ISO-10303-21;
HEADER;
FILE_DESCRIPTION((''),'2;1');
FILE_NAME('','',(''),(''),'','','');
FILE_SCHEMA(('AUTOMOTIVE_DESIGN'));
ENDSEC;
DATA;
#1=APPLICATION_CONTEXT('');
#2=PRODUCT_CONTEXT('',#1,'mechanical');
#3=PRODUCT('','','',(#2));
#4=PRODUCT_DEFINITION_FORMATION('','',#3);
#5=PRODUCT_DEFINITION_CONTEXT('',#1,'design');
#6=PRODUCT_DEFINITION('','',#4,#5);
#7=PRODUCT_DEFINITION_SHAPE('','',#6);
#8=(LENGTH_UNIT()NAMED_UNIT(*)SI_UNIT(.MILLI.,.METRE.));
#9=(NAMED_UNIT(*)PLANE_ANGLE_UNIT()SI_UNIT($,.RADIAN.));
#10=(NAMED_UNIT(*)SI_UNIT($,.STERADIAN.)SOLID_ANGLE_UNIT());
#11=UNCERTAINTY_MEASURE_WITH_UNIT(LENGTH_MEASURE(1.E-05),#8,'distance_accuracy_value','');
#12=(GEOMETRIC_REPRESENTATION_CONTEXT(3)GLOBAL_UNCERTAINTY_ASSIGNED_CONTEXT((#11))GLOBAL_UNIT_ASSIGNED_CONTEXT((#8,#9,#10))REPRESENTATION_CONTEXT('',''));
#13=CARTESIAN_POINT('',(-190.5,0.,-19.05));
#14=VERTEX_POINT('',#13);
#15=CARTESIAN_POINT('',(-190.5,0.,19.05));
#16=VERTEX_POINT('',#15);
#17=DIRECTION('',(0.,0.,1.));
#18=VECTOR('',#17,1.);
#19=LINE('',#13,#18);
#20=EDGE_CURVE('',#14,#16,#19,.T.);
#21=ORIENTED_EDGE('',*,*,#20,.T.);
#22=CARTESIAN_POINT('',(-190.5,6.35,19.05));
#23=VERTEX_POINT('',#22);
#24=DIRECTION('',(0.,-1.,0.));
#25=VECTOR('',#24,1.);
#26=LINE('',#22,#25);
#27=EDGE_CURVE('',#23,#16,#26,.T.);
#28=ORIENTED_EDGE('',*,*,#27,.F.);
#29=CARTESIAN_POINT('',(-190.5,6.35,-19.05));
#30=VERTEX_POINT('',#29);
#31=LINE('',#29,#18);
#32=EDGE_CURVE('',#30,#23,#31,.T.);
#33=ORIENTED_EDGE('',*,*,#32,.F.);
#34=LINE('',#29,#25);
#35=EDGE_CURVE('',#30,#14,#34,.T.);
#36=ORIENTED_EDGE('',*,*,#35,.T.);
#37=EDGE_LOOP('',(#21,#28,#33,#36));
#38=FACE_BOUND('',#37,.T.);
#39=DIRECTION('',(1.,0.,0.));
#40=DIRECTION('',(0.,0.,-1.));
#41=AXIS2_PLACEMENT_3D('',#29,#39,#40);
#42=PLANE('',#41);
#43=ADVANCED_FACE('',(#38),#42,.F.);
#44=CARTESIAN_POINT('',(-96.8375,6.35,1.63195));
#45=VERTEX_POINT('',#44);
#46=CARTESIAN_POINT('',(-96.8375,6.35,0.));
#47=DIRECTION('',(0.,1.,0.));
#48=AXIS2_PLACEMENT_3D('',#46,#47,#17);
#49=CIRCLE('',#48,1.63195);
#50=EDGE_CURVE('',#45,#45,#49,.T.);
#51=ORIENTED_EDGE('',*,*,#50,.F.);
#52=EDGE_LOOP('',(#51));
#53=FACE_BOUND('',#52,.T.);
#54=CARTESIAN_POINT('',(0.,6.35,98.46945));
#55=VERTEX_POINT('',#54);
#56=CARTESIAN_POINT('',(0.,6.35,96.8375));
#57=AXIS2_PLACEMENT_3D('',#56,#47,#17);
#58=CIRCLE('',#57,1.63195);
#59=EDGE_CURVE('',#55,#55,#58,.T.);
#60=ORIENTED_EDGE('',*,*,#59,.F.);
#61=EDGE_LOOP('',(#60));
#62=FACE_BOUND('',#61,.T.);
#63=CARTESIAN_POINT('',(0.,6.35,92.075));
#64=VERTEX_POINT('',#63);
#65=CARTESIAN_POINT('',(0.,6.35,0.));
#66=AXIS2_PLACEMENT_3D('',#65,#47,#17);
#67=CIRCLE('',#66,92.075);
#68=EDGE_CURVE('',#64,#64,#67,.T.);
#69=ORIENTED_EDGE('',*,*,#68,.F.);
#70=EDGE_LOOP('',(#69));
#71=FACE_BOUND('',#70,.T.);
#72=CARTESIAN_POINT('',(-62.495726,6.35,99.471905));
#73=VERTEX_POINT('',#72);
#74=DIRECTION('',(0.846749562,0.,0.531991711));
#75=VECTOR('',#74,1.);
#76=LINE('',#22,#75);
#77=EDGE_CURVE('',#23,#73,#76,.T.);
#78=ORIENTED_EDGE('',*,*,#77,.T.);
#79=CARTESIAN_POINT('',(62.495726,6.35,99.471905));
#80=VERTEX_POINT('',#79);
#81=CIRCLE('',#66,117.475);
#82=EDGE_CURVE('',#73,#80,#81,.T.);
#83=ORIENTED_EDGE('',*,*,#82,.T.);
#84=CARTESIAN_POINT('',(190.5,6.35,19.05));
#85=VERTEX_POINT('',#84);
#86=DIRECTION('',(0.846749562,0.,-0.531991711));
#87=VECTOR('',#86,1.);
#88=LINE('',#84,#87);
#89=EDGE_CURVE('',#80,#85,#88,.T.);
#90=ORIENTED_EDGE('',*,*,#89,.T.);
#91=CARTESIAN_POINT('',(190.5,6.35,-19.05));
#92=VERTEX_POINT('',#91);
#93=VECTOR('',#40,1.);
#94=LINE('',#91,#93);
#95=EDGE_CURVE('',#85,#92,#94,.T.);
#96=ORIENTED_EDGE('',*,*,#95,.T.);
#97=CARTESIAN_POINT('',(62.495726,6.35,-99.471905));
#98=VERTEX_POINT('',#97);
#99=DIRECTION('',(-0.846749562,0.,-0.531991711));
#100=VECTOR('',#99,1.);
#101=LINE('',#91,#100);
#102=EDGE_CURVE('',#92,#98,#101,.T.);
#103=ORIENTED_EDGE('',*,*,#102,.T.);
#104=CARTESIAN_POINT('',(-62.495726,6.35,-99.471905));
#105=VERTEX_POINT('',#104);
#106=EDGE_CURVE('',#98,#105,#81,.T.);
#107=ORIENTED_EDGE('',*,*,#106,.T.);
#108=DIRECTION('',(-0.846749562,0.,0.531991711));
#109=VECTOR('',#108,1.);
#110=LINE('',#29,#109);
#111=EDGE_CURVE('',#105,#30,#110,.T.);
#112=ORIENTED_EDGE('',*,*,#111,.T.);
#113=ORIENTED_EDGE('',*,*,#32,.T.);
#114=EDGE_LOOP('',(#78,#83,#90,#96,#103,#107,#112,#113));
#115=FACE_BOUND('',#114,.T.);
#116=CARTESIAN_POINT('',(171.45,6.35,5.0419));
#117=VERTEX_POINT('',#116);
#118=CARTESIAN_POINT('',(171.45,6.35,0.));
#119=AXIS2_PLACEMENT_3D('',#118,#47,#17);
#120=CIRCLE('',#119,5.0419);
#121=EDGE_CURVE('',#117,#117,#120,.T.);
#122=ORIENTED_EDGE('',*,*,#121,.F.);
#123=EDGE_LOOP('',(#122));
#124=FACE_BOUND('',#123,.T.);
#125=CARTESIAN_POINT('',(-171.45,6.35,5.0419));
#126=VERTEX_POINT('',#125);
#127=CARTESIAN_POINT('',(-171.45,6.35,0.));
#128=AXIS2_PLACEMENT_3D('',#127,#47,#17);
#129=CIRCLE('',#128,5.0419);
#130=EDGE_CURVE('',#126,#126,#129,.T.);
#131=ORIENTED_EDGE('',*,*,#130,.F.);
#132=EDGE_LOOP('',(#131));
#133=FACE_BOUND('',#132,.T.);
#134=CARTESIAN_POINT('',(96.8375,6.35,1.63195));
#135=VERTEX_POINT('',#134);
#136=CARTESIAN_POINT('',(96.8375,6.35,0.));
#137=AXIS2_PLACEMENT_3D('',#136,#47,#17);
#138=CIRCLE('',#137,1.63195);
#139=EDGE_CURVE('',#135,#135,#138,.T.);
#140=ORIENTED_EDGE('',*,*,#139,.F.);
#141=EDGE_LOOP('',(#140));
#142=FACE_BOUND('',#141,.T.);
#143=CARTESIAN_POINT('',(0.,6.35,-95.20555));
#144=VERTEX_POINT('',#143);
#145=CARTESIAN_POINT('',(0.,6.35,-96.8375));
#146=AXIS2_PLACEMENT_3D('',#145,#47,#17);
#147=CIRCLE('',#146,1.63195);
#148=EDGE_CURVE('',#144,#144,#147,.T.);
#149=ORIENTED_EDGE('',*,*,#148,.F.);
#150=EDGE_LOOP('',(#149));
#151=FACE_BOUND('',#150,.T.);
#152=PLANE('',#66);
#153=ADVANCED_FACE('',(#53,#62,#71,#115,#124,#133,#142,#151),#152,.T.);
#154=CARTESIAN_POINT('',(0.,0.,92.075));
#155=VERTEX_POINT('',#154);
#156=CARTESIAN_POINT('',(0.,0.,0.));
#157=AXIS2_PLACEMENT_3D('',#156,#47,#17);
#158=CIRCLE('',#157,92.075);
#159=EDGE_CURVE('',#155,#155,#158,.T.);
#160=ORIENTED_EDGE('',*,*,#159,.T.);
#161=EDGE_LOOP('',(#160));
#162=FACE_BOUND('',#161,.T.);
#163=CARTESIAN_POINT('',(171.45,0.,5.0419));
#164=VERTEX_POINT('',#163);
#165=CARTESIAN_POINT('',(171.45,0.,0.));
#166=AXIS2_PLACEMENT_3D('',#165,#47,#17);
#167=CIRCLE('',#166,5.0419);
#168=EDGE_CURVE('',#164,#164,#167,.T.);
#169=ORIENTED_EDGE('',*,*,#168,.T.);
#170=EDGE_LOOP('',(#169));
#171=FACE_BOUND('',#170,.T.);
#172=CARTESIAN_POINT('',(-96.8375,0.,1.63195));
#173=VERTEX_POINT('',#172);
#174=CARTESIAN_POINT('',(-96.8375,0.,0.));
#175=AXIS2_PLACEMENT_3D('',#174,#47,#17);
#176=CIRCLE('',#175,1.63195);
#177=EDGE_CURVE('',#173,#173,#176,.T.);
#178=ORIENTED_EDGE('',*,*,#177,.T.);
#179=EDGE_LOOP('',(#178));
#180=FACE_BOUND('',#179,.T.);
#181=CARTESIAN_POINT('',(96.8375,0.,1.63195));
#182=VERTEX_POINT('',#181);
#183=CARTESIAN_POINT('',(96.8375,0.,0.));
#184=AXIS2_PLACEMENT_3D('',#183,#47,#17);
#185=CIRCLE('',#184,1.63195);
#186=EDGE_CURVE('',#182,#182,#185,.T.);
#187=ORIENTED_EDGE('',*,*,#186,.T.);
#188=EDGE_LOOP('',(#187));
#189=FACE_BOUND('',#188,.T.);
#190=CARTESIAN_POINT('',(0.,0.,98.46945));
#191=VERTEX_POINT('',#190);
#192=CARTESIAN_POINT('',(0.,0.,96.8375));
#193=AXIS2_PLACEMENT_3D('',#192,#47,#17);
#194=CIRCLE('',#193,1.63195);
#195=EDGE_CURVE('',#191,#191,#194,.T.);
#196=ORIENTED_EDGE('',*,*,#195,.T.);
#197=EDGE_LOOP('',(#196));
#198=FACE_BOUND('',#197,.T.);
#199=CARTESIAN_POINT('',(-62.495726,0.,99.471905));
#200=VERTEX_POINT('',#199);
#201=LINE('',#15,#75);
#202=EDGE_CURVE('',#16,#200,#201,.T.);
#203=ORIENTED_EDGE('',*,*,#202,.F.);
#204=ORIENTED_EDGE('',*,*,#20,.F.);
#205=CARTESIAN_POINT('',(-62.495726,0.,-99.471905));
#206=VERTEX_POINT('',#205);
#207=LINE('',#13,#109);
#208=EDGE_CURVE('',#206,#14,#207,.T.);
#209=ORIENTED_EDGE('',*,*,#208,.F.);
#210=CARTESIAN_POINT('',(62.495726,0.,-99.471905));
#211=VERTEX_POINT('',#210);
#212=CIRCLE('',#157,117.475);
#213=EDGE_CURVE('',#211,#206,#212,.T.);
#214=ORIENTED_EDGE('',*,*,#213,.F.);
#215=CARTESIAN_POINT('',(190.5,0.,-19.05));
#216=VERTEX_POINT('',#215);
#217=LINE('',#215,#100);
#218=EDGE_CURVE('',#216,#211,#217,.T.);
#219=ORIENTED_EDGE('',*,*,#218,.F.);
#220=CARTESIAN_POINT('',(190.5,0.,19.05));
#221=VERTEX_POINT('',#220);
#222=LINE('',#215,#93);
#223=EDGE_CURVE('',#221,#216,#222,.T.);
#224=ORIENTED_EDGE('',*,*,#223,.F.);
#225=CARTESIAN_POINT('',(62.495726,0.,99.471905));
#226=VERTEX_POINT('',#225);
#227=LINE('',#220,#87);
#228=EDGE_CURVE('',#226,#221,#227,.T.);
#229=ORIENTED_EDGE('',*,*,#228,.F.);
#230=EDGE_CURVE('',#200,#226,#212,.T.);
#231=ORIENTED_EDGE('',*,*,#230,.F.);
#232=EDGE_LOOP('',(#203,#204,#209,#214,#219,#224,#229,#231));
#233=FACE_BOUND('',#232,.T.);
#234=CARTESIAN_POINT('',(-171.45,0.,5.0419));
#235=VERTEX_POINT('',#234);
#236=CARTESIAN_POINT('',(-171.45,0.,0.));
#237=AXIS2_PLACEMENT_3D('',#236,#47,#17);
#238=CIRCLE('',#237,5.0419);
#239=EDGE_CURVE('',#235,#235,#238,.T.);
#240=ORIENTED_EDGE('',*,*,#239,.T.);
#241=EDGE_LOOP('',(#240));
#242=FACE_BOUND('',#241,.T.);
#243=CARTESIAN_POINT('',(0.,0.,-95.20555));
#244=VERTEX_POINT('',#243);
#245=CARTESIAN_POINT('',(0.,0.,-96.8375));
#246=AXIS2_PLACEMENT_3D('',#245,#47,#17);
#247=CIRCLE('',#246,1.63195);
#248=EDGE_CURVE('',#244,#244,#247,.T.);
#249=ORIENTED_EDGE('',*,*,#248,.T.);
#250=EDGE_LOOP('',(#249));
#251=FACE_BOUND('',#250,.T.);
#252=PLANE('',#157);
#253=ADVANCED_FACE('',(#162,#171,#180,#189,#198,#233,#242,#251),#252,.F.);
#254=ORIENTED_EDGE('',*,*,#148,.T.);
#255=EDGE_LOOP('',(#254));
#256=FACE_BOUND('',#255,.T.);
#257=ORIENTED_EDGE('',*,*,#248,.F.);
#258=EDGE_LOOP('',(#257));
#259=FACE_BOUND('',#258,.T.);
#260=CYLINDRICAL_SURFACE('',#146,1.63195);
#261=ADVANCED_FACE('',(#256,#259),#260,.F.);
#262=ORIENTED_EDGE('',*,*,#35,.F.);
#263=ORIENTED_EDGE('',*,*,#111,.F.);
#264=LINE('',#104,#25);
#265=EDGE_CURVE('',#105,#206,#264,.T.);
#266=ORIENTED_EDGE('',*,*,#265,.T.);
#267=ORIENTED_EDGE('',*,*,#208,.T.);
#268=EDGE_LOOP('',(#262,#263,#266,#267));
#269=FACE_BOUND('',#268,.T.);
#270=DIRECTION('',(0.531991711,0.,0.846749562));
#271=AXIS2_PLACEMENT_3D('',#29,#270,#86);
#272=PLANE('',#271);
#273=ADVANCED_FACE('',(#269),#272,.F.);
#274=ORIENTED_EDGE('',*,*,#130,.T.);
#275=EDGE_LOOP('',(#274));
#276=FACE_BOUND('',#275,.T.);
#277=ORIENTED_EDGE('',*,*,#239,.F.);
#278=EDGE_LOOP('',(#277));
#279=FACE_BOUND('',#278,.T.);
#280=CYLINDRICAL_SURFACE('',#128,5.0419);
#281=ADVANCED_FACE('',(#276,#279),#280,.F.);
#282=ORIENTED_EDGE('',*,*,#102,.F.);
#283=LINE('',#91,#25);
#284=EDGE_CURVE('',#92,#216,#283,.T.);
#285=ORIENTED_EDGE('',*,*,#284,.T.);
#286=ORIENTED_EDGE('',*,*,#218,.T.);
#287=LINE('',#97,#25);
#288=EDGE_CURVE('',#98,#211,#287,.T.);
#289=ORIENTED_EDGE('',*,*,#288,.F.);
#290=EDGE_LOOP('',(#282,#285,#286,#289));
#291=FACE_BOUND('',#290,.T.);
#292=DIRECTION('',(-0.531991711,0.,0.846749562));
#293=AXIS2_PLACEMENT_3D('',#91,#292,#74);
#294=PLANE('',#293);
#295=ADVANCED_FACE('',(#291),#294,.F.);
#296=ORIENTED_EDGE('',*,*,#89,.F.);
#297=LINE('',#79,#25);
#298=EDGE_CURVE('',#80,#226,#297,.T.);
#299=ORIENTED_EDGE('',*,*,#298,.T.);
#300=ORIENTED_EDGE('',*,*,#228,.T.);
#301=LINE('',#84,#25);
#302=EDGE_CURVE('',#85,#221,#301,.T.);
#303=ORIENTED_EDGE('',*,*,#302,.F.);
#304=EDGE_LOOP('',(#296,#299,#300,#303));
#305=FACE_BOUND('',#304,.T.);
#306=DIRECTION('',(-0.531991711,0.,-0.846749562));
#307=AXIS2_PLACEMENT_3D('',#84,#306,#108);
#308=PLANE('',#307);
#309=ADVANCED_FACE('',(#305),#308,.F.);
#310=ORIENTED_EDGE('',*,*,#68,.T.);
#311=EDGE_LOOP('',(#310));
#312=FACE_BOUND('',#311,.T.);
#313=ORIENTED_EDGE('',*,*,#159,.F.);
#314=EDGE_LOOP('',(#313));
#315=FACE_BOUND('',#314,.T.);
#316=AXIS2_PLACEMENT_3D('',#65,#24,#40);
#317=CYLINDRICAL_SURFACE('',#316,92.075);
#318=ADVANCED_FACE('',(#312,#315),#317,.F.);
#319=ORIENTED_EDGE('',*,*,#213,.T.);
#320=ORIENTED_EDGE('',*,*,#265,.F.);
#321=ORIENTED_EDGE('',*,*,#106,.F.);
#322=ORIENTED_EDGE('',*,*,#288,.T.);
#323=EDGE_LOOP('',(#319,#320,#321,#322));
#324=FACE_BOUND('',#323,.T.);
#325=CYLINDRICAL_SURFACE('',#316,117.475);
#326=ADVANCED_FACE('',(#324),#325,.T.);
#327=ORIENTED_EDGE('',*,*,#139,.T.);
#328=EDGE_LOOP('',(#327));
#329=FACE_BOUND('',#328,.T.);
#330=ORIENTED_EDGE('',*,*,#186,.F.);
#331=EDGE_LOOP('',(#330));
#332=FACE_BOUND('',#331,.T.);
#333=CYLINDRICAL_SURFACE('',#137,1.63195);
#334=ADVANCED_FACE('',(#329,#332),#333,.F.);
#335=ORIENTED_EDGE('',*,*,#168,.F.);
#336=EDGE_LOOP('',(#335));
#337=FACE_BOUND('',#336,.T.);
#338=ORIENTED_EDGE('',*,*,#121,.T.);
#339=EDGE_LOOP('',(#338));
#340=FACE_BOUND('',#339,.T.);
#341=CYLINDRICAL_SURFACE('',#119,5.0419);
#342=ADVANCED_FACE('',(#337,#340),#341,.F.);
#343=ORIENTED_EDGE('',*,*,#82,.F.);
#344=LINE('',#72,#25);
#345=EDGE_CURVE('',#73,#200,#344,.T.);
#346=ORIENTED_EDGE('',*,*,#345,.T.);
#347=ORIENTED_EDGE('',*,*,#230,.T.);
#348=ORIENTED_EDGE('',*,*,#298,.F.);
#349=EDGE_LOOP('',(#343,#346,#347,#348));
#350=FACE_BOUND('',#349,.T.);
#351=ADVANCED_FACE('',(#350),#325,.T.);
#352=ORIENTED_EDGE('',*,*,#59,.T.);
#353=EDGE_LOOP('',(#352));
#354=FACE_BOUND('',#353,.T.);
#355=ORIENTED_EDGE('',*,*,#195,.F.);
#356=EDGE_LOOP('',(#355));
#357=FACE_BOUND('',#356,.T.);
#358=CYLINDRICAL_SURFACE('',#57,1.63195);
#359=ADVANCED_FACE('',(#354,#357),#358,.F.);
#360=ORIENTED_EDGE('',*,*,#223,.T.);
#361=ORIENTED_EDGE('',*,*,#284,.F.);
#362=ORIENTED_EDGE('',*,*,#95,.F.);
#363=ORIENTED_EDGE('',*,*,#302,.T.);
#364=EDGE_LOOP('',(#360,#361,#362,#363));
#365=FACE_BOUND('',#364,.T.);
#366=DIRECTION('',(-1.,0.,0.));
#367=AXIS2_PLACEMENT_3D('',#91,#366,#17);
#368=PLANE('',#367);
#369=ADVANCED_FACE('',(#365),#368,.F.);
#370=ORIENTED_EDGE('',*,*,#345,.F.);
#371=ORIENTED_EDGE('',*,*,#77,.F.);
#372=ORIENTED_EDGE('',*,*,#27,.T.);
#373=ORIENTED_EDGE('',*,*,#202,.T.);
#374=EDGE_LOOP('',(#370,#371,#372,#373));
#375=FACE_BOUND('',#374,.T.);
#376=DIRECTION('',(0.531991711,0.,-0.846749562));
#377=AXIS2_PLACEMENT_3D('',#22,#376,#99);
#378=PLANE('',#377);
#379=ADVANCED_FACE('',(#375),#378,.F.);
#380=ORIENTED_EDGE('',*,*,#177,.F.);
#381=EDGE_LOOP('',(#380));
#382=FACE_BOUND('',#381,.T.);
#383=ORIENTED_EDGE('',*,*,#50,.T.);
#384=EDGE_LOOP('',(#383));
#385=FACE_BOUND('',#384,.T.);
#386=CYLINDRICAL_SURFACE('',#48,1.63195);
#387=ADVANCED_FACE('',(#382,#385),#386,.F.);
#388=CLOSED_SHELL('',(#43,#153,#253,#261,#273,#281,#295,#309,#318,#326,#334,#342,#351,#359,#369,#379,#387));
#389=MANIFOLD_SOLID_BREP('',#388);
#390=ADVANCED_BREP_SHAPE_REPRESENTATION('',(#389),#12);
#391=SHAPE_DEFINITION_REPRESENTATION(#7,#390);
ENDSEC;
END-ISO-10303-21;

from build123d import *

# Parameters (mm, degrees)
SKETCH1_R               = 92.075
BOSS_EXTRUDE1_DEPTH     = 6.35
F_4_CLEARANCE_HOLE1_D   = 3.2639
F_3_8_CLEARANCE_HOLE1_D = 10.0838


with BuildPart() as part:
    # Sketch1 → Boss-Extrude1 (new body)
    with BuildSketch(Plane(origin=(0, 0, 0), x_dir=(1, 0, 0), z_dir=(0, 1, 0))):
        with BuildLine():
            Line((-190.5, 19.05), (-190.5, -19.05))
            Line((-190.5, -19.05), (-62.495726193, -99.47190474))
            ThreePointArc((-62.495726193, -99.47190474), (0, -117.475), (62.495726193, -99.47190474))
            Line((62.495726193, -99.47190474), (190.5, -19.05))
            Line((190.5, -19.05), (190.5, 19.05))
            Line((190.5, 19.05), (62.495726193, 99.47190474))
            ThreePointArc((62.495726193, 99.47190474), (0, 117.475), (-62.495726193, 99.47190474))
            Line((-62.495726193, 99.47190474), (-190.5, 19.05))
        make_face()
        with Locations(Location((0, 0, 0), (0, 0, 270))):  # turned: the seam where the file's is
            Circle(SKETCH1_R, mode=Mode.SUBTRACT)
    extrude(amount=BOSS_EXTRUDE1_DEPTH)

    # #4 Clearance Hole1 (through all)
    with Locations(Plane(origin=(0, 6.35, 0), x_dir=(1, 0, 0), z_dir=(0, 1, 0))):
        with Locations((0, 96.8375), (96.8375, 0), (0, -96.8375), (-96.8375, 0)):
            Hole(F_4_CLEARANCE_HOLE1_D / 2)

    # 3/8 Clearance Hole1 (through all)
    with Locations(Plane(origin=(0, 6.35, 0), x_dir=(1, 0, 0), z_dir=(0, 1, 0))):
        with Locations((-171.45, 0), (171.45, 0)):
            Hole(F_3_8_CLEARANCE_HOLE1_D / 2)


solid = part.part
